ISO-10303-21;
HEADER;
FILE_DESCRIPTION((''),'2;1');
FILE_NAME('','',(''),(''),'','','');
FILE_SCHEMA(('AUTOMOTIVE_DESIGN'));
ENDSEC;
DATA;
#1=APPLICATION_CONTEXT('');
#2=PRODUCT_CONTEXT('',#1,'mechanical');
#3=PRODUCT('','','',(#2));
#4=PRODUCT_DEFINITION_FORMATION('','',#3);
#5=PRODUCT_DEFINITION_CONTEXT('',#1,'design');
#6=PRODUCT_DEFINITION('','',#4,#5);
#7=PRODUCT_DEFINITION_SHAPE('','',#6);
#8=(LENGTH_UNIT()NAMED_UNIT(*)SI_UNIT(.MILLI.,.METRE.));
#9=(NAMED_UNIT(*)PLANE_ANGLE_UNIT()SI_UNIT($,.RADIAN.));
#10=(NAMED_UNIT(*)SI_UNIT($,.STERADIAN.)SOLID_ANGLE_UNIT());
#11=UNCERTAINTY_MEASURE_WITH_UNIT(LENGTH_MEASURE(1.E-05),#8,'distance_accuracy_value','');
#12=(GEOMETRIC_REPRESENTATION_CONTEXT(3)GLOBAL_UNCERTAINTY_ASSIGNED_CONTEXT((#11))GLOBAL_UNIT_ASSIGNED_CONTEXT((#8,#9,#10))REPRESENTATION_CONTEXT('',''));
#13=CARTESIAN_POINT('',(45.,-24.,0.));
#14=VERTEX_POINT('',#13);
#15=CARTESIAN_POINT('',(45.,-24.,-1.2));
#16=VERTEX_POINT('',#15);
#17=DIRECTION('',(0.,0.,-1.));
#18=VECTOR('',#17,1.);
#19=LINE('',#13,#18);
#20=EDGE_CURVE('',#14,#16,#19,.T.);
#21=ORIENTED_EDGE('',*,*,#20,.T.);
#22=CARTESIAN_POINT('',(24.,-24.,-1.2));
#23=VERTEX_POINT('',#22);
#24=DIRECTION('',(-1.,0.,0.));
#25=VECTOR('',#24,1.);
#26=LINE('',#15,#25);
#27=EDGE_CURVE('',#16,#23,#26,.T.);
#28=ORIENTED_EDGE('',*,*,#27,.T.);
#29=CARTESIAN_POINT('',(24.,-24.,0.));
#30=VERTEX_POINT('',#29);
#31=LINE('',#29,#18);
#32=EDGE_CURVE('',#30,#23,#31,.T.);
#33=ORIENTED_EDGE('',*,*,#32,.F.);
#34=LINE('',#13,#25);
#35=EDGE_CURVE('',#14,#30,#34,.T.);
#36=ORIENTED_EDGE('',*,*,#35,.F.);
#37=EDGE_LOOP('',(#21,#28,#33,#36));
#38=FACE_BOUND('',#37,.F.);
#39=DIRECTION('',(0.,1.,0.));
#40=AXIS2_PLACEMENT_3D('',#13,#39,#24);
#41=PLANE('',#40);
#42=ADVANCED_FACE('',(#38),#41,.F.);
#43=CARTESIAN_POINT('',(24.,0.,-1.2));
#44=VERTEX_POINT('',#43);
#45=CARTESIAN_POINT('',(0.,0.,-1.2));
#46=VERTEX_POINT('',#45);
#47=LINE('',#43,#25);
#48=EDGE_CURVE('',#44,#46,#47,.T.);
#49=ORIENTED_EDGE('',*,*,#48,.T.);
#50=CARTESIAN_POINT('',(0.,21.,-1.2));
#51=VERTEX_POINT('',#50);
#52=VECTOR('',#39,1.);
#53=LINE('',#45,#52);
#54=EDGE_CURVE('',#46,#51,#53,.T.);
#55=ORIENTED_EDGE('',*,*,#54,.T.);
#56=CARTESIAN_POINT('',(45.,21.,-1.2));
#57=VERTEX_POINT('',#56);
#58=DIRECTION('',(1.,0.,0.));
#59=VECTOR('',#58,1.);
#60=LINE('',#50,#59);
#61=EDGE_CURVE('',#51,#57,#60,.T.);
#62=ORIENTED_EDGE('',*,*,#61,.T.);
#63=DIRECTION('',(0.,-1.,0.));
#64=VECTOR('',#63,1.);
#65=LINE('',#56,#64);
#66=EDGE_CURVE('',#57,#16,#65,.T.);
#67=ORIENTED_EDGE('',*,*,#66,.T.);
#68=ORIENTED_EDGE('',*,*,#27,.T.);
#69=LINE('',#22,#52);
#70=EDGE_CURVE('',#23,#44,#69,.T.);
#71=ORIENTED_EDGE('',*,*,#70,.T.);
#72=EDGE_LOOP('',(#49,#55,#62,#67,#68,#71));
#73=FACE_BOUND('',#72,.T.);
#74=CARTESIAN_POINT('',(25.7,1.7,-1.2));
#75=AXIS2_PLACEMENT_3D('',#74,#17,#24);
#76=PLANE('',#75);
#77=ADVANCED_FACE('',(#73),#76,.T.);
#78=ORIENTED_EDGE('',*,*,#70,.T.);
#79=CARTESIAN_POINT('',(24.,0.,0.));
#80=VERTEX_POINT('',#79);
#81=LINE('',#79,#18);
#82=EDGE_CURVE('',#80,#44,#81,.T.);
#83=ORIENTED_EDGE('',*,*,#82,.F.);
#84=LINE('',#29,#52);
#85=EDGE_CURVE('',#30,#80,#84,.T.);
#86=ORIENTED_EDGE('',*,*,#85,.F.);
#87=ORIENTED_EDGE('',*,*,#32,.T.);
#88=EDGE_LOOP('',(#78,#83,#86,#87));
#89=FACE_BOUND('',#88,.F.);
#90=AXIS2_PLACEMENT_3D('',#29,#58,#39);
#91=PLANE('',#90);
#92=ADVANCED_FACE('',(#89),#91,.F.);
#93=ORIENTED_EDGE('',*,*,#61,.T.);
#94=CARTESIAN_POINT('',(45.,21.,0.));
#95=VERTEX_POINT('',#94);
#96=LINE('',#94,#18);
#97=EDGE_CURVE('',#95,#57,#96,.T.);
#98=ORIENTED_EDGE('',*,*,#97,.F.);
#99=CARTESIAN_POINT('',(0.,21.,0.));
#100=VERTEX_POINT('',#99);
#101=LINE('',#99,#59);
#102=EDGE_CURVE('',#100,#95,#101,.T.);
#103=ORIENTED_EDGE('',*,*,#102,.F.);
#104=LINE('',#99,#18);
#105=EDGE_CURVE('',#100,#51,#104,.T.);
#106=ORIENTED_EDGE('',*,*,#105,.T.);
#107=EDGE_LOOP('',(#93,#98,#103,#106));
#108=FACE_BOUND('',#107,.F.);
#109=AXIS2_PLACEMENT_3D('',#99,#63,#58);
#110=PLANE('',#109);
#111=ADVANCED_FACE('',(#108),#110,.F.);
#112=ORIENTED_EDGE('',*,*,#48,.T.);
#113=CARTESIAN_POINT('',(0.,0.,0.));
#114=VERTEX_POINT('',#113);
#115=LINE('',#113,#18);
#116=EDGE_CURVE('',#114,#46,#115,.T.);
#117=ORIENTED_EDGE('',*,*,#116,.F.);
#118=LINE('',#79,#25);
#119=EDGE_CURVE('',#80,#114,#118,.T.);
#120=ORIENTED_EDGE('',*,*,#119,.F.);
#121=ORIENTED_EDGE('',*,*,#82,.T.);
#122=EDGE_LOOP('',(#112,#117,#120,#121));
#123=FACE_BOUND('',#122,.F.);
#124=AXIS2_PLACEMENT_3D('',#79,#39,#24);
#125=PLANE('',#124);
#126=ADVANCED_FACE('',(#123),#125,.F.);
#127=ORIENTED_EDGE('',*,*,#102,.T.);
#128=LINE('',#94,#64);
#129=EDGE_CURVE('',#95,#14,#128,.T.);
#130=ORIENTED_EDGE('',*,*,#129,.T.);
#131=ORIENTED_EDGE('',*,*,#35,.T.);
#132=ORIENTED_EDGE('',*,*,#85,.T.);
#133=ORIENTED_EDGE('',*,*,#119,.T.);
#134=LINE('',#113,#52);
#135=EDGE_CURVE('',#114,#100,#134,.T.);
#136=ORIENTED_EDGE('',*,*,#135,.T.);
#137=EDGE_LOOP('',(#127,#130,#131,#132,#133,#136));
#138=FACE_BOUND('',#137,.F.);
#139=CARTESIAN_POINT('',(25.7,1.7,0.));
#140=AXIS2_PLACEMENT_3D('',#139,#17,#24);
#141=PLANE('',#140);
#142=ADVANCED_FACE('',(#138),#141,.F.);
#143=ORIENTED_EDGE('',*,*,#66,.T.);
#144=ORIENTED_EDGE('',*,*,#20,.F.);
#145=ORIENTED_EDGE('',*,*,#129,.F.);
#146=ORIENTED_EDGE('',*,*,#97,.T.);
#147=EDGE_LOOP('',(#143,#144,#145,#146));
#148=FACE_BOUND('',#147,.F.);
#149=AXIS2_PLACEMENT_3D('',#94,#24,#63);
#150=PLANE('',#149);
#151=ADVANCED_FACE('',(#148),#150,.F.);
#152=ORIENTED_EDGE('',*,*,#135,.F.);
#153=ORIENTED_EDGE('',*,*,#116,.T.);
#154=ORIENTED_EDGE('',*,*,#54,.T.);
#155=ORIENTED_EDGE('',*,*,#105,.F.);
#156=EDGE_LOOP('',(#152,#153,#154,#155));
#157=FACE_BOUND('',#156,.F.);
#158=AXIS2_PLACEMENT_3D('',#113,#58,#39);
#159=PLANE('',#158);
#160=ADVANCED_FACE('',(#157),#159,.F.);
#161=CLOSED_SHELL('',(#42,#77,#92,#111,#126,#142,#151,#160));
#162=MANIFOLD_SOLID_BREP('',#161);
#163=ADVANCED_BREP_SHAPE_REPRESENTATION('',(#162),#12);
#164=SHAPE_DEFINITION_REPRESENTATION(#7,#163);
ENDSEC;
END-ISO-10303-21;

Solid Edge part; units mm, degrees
sketch "Sketch1" plane through (0, 0, 0) normal (0, 0, 1) x (1, 0, 0)
  line L0 (45, 21) -> (45, -24)
  line L1 (45, -24) -> (24, -24)
  line L2 (24, -24) -> (24, 0)
  line L3 (24, 0) -> (0, 0)
  line L4 (0, 0) -> (0, 21)
  line L5 (0, 21) -> (45, 21)
extrude "Protrusion1" add sketch "Sketch1" against normal blind 1.2
